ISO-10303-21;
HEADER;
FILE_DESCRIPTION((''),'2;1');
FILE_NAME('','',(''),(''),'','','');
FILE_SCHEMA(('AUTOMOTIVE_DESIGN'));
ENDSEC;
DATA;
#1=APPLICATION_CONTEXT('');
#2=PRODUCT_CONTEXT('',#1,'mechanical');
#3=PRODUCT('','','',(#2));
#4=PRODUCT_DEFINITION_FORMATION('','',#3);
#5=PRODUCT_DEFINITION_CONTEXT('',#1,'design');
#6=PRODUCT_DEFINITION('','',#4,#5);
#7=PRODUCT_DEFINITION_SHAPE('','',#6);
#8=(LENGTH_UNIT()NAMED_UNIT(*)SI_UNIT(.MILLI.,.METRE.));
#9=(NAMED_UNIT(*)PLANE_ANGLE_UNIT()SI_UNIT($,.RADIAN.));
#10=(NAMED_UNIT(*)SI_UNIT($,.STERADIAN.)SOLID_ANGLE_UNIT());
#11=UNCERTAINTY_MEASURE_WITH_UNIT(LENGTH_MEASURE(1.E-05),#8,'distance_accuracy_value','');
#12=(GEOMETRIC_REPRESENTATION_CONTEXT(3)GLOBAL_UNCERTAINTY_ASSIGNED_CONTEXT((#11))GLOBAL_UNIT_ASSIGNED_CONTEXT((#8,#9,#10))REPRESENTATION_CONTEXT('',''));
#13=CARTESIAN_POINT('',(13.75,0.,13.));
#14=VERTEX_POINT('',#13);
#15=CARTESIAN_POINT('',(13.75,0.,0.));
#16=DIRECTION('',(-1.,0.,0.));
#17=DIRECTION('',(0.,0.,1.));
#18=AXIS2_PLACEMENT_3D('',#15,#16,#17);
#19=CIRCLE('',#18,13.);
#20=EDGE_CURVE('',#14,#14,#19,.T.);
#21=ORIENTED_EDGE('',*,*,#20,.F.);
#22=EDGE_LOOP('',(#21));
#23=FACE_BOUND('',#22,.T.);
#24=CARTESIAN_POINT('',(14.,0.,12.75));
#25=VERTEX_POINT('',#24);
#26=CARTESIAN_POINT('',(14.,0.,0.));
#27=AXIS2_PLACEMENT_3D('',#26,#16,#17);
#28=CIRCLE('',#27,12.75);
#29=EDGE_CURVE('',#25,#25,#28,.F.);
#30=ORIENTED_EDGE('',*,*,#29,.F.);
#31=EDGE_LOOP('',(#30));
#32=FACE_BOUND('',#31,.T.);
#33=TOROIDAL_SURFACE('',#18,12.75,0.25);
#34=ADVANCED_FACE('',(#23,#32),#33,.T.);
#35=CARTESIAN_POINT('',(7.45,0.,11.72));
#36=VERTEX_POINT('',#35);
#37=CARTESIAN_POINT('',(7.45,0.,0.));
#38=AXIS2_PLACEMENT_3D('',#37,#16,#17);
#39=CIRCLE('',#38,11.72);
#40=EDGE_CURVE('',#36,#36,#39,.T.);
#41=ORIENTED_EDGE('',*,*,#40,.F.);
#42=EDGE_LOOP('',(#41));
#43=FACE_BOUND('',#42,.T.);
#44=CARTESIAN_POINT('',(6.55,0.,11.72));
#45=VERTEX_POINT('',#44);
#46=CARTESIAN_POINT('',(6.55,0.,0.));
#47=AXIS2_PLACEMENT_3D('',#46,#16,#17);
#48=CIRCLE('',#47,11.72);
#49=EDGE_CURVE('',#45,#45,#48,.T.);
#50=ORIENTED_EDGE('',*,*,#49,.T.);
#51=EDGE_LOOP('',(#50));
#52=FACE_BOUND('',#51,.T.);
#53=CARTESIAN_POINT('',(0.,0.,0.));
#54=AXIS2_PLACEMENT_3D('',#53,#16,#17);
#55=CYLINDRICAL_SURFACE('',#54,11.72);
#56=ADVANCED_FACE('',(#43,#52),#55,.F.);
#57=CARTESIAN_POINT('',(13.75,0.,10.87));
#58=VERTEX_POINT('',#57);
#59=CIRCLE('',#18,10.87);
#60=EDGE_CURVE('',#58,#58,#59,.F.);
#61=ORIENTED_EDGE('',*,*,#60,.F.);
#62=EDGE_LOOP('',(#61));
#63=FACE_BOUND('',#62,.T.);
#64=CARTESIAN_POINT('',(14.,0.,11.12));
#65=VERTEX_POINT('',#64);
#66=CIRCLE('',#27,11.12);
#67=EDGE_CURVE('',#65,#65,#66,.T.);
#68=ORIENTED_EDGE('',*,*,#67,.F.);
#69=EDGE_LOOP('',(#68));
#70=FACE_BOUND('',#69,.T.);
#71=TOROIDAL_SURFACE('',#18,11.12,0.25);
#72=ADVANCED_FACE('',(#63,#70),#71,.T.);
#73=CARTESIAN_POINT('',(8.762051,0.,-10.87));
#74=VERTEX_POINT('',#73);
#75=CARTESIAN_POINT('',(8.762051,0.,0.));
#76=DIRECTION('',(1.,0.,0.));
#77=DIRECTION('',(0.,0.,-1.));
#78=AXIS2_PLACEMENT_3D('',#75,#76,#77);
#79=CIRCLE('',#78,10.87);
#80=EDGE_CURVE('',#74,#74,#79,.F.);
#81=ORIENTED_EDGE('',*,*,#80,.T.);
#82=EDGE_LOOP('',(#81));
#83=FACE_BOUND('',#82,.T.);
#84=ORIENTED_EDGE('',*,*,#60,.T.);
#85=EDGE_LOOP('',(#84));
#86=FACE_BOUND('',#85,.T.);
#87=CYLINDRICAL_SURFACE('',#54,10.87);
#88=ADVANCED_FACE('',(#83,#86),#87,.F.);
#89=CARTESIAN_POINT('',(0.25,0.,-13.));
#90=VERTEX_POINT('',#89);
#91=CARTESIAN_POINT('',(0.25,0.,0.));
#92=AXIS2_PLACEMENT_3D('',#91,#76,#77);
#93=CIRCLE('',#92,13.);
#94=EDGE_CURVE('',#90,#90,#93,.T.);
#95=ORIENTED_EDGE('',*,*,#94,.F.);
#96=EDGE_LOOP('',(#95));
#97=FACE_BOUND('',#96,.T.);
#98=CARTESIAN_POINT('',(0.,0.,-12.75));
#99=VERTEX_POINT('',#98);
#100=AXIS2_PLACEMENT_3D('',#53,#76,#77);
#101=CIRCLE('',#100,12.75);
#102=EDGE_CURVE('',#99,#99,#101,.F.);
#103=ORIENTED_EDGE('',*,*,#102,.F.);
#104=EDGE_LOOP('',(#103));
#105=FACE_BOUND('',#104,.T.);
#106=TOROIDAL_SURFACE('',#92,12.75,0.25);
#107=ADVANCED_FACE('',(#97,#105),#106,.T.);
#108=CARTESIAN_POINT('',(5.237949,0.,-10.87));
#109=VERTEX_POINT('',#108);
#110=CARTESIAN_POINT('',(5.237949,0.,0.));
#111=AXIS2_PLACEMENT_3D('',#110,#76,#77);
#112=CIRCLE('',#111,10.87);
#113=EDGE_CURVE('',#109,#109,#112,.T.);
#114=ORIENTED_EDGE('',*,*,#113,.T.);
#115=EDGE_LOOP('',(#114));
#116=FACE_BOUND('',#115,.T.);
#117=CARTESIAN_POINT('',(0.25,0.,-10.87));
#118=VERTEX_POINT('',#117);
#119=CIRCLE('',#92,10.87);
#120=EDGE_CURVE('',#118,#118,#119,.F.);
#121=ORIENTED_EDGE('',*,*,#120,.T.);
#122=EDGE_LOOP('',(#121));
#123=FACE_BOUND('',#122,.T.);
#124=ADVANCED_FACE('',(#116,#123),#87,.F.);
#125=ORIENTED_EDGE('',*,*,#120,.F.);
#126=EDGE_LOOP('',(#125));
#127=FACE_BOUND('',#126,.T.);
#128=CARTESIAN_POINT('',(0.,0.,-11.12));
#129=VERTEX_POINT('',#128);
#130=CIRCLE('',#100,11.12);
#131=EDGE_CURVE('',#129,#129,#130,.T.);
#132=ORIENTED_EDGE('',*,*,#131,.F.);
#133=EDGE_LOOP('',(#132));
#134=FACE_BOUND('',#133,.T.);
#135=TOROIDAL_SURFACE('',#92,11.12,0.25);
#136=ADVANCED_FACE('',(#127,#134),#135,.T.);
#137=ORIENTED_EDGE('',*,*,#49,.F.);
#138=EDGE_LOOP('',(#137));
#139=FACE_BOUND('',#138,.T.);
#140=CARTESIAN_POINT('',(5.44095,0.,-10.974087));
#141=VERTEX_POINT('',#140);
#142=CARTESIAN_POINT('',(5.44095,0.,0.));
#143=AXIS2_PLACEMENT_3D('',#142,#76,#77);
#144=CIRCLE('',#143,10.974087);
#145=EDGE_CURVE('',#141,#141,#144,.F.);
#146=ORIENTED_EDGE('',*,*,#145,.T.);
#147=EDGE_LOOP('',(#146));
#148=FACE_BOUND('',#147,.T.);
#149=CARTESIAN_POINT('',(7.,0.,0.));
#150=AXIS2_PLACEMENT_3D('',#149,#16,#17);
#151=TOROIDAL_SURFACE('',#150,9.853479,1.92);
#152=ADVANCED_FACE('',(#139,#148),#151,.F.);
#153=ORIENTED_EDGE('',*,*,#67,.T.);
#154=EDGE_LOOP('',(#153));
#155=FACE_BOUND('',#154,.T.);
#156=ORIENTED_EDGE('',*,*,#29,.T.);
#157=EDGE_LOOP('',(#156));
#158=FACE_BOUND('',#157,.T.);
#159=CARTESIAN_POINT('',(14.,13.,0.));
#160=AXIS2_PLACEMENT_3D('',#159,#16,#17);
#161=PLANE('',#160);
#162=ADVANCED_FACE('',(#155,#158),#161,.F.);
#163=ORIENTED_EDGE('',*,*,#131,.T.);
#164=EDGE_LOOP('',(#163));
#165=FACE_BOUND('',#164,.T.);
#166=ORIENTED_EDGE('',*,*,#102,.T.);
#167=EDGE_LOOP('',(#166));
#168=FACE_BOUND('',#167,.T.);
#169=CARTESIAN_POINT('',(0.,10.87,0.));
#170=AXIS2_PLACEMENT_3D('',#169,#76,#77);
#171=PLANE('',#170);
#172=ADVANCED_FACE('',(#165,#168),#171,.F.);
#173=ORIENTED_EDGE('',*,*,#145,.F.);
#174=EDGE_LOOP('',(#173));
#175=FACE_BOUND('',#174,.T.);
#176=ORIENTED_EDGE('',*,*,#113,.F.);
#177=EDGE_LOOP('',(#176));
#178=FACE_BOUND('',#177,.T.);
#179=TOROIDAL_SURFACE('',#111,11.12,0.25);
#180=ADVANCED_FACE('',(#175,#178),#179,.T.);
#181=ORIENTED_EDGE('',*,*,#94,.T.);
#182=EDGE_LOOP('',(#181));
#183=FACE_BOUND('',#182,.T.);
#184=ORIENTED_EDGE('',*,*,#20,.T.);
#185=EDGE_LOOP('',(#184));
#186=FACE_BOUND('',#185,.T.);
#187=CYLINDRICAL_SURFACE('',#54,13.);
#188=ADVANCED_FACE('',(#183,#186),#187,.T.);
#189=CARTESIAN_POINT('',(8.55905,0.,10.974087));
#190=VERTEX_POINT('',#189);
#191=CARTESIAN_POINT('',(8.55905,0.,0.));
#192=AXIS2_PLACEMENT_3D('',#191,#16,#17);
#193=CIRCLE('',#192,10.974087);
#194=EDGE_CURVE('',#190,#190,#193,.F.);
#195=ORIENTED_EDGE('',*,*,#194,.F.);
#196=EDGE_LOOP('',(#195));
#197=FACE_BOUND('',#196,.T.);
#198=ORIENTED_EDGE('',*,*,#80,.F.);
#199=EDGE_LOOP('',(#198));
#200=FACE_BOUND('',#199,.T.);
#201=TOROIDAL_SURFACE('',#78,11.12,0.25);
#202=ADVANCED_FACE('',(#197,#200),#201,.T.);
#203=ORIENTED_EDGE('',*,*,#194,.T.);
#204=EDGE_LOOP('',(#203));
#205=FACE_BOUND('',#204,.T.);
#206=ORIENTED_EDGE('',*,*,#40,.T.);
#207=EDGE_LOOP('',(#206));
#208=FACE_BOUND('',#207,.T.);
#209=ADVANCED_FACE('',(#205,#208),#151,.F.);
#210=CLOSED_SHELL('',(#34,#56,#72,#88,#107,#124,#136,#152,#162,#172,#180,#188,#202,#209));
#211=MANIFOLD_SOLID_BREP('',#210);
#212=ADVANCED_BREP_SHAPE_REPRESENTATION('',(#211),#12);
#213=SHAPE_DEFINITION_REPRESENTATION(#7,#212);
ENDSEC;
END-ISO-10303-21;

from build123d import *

# Parameters (mm, degrees)
FILLET1_R = 0.25


with BuildPart() as part:
    # Sketch1 → Revolve1 (revolve)
    with BuildSketch(Plane.XY, mode=Mode.PRIVATE) as revolve1_sk:
        with BuildLine():
            Line((0, 10.87), (0, 13))
            Line((0, 13), (14, 13))
            Line((14, 13), (14, 10.87))
            Line((14, 10.87), (8.628829459, 10.87))
            ThreePointArc((8.628829459, 10.87), (8.122946116, 11.410846188), (7.45, 11.72))
            Line((7.45, 11.72), (6.55, 11.72))
            ThreePointArc((6.55, 11.72), (5.877053884, 11.410846188), (5.371170541, 10.87))
            Line((5.371170541, 10.87), (0, 10.87))
        make_face()
    revolve(revolve1_sk.sketch.rotate(Axis((0, 0, 0), (1, 0, 0)), 90), axis=Axis((0, 0, 0), (1, 0, 0)))

    # Fillet1
    fillet1_edges = [part.edges().sort_by_distance(p)[0] for p in [
        (5.371170541, 0, -10.87),
        (8.628829459, 0, -10.87),
        (14, 0, -10.87),
        (14, 0, -13),
        (0, 0, -13),
        (0, 0, -10.87),
    ]]
    fillet(fillet1_edges, radius=FILLET1_R)


solid = part.part
